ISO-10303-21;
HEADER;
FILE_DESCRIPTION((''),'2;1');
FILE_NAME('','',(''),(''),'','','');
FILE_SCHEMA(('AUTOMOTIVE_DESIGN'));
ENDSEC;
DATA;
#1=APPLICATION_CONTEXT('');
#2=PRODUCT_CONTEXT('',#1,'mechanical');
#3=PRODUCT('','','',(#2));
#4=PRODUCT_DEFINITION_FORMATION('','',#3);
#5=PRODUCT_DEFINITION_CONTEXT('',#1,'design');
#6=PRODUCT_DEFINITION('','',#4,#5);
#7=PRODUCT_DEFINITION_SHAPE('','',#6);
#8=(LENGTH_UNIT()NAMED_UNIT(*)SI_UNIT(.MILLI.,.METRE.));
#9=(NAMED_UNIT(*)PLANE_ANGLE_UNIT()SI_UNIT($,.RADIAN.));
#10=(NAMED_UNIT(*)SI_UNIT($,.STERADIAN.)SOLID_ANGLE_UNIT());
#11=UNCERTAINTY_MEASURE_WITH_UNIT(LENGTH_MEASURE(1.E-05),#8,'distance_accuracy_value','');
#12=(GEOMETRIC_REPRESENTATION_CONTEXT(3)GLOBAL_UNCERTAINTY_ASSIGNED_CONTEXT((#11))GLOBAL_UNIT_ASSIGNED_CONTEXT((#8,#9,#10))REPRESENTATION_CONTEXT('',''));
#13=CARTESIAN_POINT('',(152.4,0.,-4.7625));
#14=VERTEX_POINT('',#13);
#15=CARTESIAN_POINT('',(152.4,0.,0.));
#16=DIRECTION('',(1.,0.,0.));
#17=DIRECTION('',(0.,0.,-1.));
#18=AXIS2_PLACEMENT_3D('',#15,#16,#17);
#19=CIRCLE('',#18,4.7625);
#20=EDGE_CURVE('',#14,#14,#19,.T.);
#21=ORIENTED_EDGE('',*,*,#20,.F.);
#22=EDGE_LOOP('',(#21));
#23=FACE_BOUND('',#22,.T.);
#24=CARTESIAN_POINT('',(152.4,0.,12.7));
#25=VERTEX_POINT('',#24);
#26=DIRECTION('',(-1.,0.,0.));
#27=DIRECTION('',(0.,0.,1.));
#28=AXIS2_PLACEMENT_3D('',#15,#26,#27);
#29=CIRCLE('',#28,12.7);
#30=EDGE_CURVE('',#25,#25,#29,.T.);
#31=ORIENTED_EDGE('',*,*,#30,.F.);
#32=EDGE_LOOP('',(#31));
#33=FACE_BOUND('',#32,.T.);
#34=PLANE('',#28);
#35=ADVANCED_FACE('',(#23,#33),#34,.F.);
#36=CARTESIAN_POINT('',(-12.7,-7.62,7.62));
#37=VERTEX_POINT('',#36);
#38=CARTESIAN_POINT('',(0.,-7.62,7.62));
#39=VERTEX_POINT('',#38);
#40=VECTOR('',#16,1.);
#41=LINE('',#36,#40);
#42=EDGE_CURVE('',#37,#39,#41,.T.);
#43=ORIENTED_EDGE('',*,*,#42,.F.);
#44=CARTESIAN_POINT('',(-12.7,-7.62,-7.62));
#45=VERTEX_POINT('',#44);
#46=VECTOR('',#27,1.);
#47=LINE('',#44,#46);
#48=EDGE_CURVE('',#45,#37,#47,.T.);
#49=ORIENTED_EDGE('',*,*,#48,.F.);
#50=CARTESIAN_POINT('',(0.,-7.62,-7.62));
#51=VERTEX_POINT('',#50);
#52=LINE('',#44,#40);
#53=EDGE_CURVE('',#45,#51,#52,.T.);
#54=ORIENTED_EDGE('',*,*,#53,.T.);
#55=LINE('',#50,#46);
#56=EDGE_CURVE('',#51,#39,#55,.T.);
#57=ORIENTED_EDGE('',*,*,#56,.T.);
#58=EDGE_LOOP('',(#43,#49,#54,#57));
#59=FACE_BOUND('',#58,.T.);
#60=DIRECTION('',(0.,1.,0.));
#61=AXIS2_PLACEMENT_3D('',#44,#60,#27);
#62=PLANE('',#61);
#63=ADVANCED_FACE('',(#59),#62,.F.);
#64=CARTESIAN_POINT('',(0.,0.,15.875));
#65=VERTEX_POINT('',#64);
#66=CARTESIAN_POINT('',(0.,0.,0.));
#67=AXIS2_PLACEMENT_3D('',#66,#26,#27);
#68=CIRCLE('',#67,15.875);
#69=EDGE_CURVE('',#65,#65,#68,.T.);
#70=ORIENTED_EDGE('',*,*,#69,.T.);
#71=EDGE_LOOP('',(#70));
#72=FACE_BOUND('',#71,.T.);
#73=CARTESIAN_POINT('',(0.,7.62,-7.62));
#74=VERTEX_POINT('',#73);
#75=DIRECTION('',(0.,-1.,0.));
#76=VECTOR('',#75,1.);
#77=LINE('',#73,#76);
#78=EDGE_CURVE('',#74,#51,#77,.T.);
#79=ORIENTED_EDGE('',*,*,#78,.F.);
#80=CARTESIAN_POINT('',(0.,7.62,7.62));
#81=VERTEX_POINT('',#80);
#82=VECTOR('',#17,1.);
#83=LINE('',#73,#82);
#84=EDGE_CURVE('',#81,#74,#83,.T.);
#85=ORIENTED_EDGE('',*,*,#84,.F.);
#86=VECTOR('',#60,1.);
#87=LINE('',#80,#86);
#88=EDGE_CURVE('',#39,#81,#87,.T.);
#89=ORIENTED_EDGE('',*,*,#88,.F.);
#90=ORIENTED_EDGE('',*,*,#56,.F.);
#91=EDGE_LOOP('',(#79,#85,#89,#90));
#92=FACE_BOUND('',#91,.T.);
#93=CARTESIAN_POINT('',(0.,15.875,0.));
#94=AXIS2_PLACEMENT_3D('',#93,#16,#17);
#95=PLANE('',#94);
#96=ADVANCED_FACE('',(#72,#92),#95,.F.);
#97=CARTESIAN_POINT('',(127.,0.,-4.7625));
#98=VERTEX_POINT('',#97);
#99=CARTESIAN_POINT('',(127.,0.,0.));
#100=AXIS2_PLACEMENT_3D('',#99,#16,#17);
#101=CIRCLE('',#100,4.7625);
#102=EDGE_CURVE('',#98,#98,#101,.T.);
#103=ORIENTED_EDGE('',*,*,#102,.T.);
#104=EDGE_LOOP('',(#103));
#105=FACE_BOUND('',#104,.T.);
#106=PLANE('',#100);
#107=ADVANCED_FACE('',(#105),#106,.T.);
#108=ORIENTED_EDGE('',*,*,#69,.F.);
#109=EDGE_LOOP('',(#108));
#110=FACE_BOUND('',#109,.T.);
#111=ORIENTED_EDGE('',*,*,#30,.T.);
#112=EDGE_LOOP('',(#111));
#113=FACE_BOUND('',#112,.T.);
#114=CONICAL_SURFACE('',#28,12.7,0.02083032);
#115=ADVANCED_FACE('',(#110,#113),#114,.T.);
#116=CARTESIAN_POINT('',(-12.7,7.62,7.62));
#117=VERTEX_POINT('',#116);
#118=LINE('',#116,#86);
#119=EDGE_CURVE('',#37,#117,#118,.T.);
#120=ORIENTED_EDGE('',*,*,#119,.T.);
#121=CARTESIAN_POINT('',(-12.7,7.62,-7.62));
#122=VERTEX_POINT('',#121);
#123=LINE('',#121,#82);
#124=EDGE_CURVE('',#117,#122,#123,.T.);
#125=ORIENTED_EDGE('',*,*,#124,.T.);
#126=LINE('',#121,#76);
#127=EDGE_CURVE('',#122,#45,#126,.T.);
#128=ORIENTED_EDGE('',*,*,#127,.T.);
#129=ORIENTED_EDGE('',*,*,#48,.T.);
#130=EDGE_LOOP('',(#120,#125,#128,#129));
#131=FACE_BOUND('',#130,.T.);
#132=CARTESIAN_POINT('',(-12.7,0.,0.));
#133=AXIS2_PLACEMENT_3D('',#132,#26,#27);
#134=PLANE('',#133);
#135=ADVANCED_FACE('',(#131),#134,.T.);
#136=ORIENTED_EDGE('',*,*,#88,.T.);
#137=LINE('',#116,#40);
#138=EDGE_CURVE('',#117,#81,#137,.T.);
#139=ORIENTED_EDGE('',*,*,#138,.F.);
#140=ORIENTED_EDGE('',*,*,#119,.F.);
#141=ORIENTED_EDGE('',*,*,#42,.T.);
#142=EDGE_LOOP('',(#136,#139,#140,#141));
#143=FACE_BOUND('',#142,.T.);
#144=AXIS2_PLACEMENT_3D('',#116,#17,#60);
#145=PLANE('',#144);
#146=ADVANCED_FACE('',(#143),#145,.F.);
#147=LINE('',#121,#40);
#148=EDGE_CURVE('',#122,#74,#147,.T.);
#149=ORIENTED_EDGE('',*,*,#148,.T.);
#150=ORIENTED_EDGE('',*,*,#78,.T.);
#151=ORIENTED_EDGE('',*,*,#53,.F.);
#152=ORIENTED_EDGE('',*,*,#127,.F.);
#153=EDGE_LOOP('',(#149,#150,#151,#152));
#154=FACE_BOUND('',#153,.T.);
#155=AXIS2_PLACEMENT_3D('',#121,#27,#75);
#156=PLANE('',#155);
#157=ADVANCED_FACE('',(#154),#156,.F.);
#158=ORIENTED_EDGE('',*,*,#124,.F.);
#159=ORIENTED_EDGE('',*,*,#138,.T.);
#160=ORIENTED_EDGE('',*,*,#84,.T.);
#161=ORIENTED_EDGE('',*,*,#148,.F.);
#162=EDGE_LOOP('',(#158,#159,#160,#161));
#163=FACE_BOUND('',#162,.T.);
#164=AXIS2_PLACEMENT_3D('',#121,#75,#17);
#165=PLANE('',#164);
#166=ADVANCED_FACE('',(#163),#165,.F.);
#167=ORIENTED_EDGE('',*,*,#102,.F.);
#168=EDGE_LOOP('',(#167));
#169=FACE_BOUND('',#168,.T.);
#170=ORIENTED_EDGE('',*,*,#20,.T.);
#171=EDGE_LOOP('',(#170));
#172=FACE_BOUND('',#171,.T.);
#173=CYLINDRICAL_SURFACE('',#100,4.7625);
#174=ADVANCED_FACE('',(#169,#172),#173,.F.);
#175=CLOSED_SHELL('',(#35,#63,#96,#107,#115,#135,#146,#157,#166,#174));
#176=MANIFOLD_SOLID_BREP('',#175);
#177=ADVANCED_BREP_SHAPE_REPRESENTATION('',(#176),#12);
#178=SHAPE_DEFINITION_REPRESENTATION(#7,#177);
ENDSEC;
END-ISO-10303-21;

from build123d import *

# Parameters (mm, degrees)
SKETCH3_R           = 4.7625
CUT_EXTRUDE1_DEPTH  = 25.4
SKETCH4_W           = 15.24
SKETCH4_H           = 15.24
BOSS_EXTRUDE1_DEPTH = 12.7


with BuildPart() as part:
    # Sketch1 → Revolve2 (revolve)
    with BuildSketch(Plane.XY, mode=Mode.PRIVATE) as revolve2_sk:
        Polygon((0, 0), (152.4, 0), (152.4, 12.7), (0, 15.875), align=None)
    revolve(revolve2_sk.sketch.rotate(Axis((0, 0, 0), (1, 0, 0)), 90), axis=Axis((0, 0, 0), (1, 0, 0)))

    # Sketch3 → Cut-Extrude1 (cut)
    with BuildSketch(Plane(origin=(152.4, 0, 0), x_dir=(0, 0, -1), z_dir=(1, 0, 0))):
        Circle(SKETCH3_R)
    extrude(amount=-CUT_EXTRUDE1_DEPTH, mode=Mode.SUBTRACT)

    # Sketch4 → Boss-Extrude1 (add)
    with BuildSketch(Plane.ZY):
        Rectangle(SKETCH4_W, SKETCH4_H)
    extrude(amount=BOSS_EXTRUDE1_DEPTH)


solid = part.part
